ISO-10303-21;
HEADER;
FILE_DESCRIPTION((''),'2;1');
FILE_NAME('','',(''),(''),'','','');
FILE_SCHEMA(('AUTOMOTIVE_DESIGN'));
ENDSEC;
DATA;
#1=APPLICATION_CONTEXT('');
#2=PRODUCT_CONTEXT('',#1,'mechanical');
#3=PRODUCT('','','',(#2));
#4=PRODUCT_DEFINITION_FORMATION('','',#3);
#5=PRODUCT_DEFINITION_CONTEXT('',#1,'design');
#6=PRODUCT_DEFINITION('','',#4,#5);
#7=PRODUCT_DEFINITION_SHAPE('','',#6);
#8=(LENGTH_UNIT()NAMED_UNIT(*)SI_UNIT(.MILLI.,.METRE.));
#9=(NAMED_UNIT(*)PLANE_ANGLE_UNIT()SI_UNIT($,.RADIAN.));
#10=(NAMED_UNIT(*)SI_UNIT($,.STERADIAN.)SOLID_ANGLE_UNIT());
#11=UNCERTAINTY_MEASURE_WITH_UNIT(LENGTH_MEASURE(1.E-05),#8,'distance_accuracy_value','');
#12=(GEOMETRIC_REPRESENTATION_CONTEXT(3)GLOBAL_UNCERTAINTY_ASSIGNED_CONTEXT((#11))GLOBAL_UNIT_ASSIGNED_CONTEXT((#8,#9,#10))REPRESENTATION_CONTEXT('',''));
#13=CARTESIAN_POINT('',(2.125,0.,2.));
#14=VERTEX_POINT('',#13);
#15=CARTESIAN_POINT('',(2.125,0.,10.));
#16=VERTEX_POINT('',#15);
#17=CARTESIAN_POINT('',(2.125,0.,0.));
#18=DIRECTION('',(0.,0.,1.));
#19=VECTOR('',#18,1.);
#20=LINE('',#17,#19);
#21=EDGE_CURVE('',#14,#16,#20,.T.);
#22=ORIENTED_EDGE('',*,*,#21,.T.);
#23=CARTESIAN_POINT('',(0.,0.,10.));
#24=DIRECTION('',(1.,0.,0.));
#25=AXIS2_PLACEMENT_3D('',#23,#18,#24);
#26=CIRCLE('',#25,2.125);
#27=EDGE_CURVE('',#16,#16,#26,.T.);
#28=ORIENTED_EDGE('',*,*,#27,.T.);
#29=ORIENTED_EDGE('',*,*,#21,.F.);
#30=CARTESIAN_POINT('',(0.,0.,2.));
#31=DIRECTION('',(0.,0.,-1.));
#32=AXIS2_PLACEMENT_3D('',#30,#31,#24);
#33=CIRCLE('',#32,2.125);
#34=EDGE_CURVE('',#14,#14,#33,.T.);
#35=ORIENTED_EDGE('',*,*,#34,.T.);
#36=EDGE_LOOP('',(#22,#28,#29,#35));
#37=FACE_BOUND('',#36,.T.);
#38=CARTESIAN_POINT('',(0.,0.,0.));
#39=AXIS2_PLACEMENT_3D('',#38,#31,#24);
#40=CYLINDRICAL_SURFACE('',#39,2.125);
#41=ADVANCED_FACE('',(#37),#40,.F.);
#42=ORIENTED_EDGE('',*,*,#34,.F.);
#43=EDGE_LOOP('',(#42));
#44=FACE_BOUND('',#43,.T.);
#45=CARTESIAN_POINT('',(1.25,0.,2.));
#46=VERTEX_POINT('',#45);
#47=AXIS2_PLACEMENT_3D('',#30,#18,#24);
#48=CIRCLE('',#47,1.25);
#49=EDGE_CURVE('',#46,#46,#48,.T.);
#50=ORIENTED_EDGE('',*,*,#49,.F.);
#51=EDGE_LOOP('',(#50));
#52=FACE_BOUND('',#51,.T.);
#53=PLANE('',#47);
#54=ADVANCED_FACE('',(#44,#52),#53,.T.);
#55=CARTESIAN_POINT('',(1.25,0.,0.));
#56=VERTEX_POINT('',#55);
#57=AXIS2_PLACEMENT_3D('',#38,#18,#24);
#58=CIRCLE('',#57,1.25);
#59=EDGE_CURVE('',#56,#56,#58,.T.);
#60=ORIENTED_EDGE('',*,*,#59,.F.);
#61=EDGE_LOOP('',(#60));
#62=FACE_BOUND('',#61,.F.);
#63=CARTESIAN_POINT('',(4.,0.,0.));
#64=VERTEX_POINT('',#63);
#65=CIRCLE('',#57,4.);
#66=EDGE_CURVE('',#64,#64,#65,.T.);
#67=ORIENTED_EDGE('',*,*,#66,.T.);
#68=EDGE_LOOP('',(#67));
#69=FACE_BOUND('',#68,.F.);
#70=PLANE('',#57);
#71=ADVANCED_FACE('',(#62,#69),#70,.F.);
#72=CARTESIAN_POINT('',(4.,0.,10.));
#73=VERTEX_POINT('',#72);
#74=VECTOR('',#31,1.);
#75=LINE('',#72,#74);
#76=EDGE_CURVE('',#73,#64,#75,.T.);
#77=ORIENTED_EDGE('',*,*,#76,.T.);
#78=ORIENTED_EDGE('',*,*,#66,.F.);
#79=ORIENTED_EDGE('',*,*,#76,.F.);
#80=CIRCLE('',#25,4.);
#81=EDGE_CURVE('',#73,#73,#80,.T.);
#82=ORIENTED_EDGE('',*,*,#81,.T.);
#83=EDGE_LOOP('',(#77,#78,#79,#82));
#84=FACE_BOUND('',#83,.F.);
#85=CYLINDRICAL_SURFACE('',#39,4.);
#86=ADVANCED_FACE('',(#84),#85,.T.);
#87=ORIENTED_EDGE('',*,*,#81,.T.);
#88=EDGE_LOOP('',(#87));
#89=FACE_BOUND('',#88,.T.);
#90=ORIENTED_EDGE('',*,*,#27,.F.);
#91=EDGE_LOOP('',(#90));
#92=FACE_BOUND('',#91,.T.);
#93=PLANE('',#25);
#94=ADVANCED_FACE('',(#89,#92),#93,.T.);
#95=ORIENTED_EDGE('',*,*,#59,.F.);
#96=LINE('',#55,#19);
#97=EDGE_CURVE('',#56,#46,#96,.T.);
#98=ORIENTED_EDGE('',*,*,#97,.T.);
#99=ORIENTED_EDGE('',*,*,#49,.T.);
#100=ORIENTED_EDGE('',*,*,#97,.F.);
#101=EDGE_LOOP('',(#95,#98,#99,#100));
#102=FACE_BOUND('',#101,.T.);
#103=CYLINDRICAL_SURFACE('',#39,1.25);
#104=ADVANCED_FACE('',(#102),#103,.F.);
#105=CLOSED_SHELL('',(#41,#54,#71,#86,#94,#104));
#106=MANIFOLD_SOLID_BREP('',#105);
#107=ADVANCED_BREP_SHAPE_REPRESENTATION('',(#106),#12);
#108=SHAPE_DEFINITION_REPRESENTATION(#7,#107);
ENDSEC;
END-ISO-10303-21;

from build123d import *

# Parameters (mm, degrees)
SKETCH_R      = 4
SKETCH_R_2    = 2.125
PAD_DEPTH     = 10
SKETCH001_R   = 4
SKETCH001_R_2 = 1.25
PAD001_DEPTH  = 2


with BuildPart() as part:
    # Sketch → Pad (new body)
    with BuildSketch(Plane.XY):
        Circle(SKETCH_R)
        Circle(SKETCH_R_2, mode=Mode.SUBTRACT)
    extrude(amount=PAD_DEPTH)

    # Sketch001 → Pad001 (join)
    with BuildSketch(Plane.XY):
        Circle(SKETCH001_R)
        Circle(SKETCH001_R_2, mode=Mode.SUBTRACT)
    extrude(amount=PAD001_DEPTH)


solid = part.part
